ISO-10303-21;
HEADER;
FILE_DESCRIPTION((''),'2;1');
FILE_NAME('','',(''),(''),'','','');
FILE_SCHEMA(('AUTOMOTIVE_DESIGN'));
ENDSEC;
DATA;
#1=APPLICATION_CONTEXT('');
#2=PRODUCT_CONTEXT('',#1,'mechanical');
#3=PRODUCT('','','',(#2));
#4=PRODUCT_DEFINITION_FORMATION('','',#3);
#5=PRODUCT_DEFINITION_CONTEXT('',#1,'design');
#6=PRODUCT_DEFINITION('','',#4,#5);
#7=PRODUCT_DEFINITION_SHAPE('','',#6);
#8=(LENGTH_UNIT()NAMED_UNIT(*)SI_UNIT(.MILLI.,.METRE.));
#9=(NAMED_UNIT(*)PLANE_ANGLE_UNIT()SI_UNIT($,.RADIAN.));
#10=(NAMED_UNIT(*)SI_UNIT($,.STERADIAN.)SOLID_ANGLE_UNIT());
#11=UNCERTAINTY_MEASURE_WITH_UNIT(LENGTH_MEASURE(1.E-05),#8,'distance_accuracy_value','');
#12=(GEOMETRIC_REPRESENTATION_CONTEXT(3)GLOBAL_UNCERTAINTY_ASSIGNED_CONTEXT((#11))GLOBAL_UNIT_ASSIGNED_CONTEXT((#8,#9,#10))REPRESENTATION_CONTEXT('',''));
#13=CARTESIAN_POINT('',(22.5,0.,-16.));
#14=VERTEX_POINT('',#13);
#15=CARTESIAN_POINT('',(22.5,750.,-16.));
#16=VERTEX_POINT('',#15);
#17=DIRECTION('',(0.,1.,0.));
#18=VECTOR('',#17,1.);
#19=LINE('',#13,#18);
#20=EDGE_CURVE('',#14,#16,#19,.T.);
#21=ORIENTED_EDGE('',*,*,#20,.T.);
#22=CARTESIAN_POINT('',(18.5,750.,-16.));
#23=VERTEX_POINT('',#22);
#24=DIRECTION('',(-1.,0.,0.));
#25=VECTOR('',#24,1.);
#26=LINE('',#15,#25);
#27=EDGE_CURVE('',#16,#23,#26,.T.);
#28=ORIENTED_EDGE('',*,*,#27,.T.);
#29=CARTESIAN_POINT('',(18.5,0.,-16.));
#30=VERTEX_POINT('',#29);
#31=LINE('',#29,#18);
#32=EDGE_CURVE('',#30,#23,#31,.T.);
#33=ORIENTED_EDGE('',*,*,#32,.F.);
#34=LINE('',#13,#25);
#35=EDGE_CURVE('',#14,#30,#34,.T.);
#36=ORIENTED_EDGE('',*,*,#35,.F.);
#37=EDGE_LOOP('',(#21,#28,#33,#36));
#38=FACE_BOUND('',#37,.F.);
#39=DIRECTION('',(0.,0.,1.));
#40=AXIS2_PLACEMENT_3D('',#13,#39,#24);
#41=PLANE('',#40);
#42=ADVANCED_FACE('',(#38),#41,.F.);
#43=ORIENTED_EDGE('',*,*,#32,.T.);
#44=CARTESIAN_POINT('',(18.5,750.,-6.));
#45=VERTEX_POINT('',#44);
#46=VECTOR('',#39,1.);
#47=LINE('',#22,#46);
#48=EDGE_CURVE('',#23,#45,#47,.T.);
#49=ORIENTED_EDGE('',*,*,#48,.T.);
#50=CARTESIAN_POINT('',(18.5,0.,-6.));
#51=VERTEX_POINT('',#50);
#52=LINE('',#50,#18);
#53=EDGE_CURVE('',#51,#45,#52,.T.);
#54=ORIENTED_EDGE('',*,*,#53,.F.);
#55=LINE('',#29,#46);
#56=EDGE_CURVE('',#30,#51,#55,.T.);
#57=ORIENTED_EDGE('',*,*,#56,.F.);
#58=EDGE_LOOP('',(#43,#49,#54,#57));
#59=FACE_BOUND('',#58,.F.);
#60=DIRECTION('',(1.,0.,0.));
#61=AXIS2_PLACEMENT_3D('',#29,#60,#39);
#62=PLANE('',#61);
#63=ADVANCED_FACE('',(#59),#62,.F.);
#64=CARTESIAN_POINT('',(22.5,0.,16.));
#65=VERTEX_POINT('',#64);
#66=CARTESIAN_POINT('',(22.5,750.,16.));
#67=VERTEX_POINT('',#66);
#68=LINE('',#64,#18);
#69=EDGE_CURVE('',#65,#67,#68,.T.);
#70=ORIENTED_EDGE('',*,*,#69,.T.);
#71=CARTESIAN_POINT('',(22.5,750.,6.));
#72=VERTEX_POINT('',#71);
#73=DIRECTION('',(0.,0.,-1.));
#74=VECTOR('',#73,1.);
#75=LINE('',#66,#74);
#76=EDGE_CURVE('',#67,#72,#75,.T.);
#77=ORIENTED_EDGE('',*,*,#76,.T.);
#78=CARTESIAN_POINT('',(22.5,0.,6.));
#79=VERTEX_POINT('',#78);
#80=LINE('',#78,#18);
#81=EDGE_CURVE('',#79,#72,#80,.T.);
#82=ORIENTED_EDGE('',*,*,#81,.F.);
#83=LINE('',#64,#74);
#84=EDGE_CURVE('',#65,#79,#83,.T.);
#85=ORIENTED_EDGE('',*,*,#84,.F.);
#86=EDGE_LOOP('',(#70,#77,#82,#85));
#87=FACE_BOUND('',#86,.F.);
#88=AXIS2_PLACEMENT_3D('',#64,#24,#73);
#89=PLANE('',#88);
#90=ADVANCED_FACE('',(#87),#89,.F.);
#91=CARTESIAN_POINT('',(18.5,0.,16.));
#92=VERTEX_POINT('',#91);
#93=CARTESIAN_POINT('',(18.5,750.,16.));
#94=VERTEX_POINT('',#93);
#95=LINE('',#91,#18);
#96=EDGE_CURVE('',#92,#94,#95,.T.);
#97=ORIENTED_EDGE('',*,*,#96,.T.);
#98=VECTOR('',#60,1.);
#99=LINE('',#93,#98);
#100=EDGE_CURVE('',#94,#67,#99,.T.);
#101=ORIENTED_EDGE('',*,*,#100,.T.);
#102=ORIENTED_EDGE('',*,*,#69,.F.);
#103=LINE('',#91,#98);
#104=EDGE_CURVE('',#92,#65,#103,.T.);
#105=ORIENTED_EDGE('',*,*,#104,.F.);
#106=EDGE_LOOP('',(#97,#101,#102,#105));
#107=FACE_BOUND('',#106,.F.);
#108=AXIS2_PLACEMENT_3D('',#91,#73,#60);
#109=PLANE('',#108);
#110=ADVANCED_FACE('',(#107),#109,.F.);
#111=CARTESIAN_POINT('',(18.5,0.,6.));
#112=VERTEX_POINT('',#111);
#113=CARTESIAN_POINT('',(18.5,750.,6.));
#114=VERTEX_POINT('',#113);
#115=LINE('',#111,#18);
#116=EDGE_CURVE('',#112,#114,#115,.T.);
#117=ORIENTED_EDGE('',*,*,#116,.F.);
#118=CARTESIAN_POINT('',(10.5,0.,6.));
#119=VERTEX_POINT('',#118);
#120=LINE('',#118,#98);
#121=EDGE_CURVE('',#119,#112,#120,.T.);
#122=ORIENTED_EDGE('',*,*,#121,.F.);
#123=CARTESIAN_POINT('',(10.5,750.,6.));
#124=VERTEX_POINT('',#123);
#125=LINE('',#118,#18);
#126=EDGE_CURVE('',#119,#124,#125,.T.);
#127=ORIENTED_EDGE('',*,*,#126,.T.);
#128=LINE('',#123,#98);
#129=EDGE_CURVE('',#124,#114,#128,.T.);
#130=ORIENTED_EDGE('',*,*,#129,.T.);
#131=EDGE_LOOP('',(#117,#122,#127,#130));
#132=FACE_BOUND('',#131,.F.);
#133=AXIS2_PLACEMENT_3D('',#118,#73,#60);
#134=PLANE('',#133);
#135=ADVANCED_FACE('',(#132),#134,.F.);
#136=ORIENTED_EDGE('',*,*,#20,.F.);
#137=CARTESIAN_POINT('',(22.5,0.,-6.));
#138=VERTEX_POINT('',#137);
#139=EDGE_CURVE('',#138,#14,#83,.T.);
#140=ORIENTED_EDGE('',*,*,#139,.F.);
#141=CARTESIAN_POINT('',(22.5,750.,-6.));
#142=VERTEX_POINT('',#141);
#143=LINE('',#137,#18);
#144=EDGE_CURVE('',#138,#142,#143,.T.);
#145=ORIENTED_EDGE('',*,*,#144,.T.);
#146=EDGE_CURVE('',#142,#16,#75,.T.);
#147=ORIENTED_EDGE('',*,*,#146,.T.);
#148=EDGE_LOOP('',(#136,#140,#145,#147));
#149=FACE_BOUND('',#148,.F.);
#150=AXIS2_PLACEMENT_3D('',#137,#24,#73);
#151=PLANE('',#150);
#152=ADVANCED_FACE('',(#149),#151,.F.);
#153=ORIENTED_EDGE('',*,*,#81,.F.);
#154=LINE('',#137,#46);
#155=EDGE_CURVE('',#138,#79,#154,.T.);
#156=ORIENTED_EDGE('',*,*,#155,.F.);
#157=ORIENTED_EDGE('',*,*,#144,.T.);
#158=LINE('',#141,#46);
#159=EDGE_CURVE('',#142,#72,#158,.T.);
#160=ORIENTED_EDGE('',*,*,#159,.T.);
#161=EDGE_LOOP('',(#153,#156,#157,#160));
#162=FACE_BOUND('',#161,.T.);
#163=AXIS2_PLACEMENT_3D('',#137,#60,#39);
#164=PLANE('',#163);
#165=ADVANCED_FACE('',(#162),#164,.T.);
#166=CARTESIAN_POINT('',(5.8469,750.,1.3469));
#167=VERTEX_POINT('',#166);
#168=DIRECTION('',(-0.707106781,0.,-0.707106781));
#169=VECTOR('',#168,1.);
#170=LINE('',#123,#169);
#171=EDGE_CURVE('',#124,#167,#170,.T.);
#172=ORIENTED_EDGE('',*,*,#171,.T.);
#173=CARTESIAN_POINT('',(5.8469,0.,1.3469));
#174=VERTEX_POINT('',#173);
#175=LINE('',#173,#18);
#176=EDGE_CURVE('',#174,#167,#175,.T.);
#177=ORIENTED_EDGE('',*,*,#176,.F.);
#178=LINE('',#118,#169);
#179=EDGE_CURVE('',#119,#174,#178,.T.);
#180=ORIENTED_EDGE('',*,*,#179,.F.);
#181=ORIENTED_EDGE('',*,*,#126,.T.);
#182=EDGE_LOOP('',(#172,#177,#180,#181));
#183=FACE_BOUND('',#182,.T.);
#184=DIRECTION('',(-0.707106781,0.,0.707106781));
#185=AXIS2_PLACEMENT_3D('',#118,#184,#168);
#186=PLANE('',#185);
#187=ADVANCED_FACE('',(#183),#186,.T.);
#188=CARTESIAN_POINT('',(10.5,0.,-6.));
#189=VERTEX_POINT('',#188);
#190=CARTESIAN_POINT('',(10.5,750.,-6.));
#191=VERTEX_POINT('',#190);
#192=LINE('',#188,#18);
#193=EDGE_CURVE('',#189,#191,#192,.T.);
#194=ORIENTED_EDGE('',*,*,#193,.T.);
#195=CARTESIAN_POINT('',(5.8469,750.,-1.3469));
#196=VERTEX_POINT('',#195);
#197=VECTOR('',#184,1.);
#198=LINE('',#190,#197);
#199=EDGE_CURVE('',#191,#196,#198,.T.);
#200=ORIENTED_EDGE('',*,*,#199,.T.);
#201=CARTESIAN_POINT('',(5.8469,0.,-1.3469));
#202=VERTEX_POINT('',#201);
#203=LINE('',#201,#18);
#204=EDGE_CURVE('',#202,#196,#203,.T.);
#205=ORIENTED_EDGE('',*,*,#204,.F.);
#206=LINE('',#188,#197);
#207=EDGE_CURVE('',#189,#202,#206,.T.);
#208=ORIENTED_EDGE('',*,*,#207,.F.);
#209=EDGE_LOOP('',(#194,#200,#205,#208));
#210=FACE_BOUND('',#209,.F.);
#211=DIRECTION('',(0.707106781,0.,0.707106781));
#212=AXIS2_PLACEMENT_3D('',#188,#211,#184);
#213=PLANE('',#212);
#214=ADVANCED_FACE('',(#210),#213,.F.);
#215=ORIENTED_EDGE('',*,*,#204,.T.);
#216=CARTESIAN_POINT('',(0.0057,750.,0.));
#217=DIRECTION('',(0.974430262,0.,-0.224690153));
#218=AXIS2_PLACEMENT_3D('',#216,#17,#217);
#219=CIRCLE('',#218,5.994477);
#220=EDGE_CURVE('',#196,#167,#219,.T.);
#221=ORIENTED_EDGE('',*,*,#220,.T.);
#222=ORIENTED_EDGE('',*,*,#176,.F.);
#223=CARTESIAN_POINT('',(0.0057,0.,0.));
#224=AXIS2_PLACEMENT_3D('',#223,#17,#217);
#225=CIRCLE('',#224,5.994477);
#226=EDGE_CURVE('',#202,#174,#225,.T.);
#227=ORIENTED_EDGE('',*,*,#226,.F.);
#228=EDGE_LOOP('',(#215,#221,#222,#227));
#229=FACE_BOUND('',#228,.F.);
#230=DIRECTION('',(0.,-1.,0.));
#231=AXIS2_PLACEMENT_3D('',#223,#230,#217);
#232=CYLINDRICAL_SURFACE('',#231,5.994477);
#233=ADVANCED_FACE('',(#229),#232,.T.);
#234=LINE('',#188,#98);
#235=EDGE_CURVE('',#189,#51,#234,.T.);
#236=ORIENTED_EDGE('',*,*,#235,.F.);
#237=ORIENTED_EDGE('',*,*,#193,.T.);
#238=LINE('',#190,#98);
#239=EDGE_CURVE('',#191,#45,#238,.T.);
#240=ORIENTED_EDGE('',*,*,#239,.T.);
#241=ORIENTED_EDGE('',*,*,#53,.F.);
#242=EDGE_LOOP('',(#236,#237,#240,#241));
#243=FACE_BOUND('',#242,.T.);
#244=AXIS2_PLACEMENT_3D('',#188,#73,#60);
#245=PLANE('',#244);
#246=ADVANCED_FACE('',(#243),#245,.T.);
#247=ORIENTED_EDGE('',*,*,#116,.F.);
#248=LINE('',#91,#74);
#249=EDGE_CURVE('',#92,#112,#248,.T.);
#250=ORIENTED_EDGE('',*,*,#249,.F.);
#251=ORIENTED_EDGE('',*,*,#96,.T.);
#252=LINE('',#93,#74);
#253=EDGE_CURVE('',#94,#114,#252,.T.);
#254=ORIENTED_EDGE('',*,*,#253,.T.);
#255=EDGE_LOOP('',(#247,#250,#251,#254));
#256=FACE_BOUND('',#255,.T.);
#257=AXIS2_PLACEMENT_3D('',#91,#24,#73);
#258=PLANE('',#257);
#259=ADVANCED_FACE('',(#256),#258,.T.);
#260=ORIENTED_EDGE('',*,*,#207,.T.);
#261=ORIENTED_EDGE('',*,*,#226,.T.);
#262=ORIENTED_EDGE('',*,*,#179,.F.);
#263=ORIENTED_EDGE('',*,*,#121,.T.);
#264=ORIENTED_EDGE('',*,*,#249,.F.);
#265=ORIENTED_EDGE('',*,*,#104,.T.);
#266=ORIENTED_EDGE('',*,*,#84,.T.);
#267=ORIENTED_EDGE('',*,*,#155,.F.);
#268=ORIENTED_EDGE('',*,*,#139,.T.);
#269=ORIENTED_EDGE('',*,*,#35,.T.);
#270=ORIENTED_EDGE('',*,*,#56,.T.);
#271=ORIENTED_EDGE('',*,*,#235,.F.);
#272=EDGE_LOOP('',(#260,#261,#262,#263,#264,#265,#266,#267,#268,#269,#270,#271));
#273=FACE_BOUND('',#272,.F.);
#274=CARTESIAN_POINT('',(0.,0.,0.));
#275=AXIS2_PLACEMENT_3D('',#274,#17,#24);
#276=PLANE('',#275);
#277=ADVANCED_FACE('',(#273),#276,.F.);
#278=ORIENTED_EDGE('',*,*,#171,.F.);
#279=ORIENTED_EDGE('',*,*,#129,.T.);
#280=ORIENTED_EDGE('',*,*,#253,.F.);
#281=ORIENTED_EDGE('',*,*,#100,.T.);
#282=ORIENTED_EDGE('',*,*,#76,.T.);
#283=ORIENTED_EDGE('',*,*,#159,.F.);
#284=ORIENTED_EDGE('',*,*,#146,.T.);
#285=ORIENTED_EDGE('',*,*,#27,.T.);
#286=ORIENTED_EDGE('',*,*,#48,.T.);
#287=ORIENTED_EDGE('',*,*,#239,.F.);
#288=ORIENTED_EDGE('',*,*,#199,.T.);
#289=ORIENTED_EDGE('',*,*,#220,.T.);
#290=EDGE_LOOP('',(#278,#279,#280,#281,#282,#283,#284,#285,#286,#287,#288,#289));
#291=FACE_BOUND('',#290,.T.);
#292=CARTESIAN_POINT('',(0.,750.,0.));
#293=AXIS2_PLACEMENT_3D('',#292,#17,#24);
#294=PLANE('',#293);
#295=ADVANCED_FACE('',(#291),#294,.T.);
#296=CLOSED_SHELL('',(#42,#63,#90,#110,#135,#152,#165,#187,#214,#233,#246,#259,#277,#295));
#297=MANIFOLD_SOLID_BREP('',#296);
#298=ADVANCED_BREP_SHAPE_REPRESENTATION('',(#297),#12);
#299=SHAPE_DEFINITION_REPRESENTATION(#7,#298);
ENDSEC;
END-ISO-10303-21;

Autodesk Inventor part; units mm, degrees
ref_plane "YZ Plane" through (0, 0, 0) normal (1, 0, 0) x (0, 1, 0)
ref_plane "XZ Plane" through (0, 0, 0) normal (0, 1, 0) x (-1, 0, 0)
ref_plane "XY Plane" through (0, 0, 0) normal (0, 0, 1) x (1, 0, 0)
sketch "Sketch1" plane through (0, 0, 0) normal (0, 1, 0) x (-1, 0, 0)
  line L0 (-22.5, -6) -> (-22.5, 6)
  line L1 (-10.5, -6) -> (-5.8469, -1.3469)
  line L2 (-10.5, -6) -> (-3.9195, -6) construction
  line L3 (-10.5, 6) -> (-5.8469, 1.3469)
  arc A0 (-5.8469, -1.3469) -> (-5.8469, 1.3469) centre (-0.0057, 0) ccw
  line L4 (-22.5, 16) -> (-22.5, -16)
  line L5 (-22.5, -16) -> (-18.5, -16)
  line L6 (-18.5, 16) -> (-22.5, 16)
  line L7 (-18.5, -16) -> (-18.5, -6)
  line L8 (-18.5, 16) -> (-18.5, 6)
  line L9 (-10.5, 6) -> (-18.5, 6)
  line L10 (-10.5, -6) -> (-18.5, -6)
  point P0 (0, 0)
  dimension "d2" = 12
  dimension "d3" = 45
  dimension "d4" = 12
  dimension "d6" = 5.9944
  dimension "d7" = 32
  dimension "d8" = 4
  dimension "d10" = 0
extrude "Extrusion1" add sketch "Sketch1" along normal blind 750
properties part number "supportedRail_SBR12_750mm"
